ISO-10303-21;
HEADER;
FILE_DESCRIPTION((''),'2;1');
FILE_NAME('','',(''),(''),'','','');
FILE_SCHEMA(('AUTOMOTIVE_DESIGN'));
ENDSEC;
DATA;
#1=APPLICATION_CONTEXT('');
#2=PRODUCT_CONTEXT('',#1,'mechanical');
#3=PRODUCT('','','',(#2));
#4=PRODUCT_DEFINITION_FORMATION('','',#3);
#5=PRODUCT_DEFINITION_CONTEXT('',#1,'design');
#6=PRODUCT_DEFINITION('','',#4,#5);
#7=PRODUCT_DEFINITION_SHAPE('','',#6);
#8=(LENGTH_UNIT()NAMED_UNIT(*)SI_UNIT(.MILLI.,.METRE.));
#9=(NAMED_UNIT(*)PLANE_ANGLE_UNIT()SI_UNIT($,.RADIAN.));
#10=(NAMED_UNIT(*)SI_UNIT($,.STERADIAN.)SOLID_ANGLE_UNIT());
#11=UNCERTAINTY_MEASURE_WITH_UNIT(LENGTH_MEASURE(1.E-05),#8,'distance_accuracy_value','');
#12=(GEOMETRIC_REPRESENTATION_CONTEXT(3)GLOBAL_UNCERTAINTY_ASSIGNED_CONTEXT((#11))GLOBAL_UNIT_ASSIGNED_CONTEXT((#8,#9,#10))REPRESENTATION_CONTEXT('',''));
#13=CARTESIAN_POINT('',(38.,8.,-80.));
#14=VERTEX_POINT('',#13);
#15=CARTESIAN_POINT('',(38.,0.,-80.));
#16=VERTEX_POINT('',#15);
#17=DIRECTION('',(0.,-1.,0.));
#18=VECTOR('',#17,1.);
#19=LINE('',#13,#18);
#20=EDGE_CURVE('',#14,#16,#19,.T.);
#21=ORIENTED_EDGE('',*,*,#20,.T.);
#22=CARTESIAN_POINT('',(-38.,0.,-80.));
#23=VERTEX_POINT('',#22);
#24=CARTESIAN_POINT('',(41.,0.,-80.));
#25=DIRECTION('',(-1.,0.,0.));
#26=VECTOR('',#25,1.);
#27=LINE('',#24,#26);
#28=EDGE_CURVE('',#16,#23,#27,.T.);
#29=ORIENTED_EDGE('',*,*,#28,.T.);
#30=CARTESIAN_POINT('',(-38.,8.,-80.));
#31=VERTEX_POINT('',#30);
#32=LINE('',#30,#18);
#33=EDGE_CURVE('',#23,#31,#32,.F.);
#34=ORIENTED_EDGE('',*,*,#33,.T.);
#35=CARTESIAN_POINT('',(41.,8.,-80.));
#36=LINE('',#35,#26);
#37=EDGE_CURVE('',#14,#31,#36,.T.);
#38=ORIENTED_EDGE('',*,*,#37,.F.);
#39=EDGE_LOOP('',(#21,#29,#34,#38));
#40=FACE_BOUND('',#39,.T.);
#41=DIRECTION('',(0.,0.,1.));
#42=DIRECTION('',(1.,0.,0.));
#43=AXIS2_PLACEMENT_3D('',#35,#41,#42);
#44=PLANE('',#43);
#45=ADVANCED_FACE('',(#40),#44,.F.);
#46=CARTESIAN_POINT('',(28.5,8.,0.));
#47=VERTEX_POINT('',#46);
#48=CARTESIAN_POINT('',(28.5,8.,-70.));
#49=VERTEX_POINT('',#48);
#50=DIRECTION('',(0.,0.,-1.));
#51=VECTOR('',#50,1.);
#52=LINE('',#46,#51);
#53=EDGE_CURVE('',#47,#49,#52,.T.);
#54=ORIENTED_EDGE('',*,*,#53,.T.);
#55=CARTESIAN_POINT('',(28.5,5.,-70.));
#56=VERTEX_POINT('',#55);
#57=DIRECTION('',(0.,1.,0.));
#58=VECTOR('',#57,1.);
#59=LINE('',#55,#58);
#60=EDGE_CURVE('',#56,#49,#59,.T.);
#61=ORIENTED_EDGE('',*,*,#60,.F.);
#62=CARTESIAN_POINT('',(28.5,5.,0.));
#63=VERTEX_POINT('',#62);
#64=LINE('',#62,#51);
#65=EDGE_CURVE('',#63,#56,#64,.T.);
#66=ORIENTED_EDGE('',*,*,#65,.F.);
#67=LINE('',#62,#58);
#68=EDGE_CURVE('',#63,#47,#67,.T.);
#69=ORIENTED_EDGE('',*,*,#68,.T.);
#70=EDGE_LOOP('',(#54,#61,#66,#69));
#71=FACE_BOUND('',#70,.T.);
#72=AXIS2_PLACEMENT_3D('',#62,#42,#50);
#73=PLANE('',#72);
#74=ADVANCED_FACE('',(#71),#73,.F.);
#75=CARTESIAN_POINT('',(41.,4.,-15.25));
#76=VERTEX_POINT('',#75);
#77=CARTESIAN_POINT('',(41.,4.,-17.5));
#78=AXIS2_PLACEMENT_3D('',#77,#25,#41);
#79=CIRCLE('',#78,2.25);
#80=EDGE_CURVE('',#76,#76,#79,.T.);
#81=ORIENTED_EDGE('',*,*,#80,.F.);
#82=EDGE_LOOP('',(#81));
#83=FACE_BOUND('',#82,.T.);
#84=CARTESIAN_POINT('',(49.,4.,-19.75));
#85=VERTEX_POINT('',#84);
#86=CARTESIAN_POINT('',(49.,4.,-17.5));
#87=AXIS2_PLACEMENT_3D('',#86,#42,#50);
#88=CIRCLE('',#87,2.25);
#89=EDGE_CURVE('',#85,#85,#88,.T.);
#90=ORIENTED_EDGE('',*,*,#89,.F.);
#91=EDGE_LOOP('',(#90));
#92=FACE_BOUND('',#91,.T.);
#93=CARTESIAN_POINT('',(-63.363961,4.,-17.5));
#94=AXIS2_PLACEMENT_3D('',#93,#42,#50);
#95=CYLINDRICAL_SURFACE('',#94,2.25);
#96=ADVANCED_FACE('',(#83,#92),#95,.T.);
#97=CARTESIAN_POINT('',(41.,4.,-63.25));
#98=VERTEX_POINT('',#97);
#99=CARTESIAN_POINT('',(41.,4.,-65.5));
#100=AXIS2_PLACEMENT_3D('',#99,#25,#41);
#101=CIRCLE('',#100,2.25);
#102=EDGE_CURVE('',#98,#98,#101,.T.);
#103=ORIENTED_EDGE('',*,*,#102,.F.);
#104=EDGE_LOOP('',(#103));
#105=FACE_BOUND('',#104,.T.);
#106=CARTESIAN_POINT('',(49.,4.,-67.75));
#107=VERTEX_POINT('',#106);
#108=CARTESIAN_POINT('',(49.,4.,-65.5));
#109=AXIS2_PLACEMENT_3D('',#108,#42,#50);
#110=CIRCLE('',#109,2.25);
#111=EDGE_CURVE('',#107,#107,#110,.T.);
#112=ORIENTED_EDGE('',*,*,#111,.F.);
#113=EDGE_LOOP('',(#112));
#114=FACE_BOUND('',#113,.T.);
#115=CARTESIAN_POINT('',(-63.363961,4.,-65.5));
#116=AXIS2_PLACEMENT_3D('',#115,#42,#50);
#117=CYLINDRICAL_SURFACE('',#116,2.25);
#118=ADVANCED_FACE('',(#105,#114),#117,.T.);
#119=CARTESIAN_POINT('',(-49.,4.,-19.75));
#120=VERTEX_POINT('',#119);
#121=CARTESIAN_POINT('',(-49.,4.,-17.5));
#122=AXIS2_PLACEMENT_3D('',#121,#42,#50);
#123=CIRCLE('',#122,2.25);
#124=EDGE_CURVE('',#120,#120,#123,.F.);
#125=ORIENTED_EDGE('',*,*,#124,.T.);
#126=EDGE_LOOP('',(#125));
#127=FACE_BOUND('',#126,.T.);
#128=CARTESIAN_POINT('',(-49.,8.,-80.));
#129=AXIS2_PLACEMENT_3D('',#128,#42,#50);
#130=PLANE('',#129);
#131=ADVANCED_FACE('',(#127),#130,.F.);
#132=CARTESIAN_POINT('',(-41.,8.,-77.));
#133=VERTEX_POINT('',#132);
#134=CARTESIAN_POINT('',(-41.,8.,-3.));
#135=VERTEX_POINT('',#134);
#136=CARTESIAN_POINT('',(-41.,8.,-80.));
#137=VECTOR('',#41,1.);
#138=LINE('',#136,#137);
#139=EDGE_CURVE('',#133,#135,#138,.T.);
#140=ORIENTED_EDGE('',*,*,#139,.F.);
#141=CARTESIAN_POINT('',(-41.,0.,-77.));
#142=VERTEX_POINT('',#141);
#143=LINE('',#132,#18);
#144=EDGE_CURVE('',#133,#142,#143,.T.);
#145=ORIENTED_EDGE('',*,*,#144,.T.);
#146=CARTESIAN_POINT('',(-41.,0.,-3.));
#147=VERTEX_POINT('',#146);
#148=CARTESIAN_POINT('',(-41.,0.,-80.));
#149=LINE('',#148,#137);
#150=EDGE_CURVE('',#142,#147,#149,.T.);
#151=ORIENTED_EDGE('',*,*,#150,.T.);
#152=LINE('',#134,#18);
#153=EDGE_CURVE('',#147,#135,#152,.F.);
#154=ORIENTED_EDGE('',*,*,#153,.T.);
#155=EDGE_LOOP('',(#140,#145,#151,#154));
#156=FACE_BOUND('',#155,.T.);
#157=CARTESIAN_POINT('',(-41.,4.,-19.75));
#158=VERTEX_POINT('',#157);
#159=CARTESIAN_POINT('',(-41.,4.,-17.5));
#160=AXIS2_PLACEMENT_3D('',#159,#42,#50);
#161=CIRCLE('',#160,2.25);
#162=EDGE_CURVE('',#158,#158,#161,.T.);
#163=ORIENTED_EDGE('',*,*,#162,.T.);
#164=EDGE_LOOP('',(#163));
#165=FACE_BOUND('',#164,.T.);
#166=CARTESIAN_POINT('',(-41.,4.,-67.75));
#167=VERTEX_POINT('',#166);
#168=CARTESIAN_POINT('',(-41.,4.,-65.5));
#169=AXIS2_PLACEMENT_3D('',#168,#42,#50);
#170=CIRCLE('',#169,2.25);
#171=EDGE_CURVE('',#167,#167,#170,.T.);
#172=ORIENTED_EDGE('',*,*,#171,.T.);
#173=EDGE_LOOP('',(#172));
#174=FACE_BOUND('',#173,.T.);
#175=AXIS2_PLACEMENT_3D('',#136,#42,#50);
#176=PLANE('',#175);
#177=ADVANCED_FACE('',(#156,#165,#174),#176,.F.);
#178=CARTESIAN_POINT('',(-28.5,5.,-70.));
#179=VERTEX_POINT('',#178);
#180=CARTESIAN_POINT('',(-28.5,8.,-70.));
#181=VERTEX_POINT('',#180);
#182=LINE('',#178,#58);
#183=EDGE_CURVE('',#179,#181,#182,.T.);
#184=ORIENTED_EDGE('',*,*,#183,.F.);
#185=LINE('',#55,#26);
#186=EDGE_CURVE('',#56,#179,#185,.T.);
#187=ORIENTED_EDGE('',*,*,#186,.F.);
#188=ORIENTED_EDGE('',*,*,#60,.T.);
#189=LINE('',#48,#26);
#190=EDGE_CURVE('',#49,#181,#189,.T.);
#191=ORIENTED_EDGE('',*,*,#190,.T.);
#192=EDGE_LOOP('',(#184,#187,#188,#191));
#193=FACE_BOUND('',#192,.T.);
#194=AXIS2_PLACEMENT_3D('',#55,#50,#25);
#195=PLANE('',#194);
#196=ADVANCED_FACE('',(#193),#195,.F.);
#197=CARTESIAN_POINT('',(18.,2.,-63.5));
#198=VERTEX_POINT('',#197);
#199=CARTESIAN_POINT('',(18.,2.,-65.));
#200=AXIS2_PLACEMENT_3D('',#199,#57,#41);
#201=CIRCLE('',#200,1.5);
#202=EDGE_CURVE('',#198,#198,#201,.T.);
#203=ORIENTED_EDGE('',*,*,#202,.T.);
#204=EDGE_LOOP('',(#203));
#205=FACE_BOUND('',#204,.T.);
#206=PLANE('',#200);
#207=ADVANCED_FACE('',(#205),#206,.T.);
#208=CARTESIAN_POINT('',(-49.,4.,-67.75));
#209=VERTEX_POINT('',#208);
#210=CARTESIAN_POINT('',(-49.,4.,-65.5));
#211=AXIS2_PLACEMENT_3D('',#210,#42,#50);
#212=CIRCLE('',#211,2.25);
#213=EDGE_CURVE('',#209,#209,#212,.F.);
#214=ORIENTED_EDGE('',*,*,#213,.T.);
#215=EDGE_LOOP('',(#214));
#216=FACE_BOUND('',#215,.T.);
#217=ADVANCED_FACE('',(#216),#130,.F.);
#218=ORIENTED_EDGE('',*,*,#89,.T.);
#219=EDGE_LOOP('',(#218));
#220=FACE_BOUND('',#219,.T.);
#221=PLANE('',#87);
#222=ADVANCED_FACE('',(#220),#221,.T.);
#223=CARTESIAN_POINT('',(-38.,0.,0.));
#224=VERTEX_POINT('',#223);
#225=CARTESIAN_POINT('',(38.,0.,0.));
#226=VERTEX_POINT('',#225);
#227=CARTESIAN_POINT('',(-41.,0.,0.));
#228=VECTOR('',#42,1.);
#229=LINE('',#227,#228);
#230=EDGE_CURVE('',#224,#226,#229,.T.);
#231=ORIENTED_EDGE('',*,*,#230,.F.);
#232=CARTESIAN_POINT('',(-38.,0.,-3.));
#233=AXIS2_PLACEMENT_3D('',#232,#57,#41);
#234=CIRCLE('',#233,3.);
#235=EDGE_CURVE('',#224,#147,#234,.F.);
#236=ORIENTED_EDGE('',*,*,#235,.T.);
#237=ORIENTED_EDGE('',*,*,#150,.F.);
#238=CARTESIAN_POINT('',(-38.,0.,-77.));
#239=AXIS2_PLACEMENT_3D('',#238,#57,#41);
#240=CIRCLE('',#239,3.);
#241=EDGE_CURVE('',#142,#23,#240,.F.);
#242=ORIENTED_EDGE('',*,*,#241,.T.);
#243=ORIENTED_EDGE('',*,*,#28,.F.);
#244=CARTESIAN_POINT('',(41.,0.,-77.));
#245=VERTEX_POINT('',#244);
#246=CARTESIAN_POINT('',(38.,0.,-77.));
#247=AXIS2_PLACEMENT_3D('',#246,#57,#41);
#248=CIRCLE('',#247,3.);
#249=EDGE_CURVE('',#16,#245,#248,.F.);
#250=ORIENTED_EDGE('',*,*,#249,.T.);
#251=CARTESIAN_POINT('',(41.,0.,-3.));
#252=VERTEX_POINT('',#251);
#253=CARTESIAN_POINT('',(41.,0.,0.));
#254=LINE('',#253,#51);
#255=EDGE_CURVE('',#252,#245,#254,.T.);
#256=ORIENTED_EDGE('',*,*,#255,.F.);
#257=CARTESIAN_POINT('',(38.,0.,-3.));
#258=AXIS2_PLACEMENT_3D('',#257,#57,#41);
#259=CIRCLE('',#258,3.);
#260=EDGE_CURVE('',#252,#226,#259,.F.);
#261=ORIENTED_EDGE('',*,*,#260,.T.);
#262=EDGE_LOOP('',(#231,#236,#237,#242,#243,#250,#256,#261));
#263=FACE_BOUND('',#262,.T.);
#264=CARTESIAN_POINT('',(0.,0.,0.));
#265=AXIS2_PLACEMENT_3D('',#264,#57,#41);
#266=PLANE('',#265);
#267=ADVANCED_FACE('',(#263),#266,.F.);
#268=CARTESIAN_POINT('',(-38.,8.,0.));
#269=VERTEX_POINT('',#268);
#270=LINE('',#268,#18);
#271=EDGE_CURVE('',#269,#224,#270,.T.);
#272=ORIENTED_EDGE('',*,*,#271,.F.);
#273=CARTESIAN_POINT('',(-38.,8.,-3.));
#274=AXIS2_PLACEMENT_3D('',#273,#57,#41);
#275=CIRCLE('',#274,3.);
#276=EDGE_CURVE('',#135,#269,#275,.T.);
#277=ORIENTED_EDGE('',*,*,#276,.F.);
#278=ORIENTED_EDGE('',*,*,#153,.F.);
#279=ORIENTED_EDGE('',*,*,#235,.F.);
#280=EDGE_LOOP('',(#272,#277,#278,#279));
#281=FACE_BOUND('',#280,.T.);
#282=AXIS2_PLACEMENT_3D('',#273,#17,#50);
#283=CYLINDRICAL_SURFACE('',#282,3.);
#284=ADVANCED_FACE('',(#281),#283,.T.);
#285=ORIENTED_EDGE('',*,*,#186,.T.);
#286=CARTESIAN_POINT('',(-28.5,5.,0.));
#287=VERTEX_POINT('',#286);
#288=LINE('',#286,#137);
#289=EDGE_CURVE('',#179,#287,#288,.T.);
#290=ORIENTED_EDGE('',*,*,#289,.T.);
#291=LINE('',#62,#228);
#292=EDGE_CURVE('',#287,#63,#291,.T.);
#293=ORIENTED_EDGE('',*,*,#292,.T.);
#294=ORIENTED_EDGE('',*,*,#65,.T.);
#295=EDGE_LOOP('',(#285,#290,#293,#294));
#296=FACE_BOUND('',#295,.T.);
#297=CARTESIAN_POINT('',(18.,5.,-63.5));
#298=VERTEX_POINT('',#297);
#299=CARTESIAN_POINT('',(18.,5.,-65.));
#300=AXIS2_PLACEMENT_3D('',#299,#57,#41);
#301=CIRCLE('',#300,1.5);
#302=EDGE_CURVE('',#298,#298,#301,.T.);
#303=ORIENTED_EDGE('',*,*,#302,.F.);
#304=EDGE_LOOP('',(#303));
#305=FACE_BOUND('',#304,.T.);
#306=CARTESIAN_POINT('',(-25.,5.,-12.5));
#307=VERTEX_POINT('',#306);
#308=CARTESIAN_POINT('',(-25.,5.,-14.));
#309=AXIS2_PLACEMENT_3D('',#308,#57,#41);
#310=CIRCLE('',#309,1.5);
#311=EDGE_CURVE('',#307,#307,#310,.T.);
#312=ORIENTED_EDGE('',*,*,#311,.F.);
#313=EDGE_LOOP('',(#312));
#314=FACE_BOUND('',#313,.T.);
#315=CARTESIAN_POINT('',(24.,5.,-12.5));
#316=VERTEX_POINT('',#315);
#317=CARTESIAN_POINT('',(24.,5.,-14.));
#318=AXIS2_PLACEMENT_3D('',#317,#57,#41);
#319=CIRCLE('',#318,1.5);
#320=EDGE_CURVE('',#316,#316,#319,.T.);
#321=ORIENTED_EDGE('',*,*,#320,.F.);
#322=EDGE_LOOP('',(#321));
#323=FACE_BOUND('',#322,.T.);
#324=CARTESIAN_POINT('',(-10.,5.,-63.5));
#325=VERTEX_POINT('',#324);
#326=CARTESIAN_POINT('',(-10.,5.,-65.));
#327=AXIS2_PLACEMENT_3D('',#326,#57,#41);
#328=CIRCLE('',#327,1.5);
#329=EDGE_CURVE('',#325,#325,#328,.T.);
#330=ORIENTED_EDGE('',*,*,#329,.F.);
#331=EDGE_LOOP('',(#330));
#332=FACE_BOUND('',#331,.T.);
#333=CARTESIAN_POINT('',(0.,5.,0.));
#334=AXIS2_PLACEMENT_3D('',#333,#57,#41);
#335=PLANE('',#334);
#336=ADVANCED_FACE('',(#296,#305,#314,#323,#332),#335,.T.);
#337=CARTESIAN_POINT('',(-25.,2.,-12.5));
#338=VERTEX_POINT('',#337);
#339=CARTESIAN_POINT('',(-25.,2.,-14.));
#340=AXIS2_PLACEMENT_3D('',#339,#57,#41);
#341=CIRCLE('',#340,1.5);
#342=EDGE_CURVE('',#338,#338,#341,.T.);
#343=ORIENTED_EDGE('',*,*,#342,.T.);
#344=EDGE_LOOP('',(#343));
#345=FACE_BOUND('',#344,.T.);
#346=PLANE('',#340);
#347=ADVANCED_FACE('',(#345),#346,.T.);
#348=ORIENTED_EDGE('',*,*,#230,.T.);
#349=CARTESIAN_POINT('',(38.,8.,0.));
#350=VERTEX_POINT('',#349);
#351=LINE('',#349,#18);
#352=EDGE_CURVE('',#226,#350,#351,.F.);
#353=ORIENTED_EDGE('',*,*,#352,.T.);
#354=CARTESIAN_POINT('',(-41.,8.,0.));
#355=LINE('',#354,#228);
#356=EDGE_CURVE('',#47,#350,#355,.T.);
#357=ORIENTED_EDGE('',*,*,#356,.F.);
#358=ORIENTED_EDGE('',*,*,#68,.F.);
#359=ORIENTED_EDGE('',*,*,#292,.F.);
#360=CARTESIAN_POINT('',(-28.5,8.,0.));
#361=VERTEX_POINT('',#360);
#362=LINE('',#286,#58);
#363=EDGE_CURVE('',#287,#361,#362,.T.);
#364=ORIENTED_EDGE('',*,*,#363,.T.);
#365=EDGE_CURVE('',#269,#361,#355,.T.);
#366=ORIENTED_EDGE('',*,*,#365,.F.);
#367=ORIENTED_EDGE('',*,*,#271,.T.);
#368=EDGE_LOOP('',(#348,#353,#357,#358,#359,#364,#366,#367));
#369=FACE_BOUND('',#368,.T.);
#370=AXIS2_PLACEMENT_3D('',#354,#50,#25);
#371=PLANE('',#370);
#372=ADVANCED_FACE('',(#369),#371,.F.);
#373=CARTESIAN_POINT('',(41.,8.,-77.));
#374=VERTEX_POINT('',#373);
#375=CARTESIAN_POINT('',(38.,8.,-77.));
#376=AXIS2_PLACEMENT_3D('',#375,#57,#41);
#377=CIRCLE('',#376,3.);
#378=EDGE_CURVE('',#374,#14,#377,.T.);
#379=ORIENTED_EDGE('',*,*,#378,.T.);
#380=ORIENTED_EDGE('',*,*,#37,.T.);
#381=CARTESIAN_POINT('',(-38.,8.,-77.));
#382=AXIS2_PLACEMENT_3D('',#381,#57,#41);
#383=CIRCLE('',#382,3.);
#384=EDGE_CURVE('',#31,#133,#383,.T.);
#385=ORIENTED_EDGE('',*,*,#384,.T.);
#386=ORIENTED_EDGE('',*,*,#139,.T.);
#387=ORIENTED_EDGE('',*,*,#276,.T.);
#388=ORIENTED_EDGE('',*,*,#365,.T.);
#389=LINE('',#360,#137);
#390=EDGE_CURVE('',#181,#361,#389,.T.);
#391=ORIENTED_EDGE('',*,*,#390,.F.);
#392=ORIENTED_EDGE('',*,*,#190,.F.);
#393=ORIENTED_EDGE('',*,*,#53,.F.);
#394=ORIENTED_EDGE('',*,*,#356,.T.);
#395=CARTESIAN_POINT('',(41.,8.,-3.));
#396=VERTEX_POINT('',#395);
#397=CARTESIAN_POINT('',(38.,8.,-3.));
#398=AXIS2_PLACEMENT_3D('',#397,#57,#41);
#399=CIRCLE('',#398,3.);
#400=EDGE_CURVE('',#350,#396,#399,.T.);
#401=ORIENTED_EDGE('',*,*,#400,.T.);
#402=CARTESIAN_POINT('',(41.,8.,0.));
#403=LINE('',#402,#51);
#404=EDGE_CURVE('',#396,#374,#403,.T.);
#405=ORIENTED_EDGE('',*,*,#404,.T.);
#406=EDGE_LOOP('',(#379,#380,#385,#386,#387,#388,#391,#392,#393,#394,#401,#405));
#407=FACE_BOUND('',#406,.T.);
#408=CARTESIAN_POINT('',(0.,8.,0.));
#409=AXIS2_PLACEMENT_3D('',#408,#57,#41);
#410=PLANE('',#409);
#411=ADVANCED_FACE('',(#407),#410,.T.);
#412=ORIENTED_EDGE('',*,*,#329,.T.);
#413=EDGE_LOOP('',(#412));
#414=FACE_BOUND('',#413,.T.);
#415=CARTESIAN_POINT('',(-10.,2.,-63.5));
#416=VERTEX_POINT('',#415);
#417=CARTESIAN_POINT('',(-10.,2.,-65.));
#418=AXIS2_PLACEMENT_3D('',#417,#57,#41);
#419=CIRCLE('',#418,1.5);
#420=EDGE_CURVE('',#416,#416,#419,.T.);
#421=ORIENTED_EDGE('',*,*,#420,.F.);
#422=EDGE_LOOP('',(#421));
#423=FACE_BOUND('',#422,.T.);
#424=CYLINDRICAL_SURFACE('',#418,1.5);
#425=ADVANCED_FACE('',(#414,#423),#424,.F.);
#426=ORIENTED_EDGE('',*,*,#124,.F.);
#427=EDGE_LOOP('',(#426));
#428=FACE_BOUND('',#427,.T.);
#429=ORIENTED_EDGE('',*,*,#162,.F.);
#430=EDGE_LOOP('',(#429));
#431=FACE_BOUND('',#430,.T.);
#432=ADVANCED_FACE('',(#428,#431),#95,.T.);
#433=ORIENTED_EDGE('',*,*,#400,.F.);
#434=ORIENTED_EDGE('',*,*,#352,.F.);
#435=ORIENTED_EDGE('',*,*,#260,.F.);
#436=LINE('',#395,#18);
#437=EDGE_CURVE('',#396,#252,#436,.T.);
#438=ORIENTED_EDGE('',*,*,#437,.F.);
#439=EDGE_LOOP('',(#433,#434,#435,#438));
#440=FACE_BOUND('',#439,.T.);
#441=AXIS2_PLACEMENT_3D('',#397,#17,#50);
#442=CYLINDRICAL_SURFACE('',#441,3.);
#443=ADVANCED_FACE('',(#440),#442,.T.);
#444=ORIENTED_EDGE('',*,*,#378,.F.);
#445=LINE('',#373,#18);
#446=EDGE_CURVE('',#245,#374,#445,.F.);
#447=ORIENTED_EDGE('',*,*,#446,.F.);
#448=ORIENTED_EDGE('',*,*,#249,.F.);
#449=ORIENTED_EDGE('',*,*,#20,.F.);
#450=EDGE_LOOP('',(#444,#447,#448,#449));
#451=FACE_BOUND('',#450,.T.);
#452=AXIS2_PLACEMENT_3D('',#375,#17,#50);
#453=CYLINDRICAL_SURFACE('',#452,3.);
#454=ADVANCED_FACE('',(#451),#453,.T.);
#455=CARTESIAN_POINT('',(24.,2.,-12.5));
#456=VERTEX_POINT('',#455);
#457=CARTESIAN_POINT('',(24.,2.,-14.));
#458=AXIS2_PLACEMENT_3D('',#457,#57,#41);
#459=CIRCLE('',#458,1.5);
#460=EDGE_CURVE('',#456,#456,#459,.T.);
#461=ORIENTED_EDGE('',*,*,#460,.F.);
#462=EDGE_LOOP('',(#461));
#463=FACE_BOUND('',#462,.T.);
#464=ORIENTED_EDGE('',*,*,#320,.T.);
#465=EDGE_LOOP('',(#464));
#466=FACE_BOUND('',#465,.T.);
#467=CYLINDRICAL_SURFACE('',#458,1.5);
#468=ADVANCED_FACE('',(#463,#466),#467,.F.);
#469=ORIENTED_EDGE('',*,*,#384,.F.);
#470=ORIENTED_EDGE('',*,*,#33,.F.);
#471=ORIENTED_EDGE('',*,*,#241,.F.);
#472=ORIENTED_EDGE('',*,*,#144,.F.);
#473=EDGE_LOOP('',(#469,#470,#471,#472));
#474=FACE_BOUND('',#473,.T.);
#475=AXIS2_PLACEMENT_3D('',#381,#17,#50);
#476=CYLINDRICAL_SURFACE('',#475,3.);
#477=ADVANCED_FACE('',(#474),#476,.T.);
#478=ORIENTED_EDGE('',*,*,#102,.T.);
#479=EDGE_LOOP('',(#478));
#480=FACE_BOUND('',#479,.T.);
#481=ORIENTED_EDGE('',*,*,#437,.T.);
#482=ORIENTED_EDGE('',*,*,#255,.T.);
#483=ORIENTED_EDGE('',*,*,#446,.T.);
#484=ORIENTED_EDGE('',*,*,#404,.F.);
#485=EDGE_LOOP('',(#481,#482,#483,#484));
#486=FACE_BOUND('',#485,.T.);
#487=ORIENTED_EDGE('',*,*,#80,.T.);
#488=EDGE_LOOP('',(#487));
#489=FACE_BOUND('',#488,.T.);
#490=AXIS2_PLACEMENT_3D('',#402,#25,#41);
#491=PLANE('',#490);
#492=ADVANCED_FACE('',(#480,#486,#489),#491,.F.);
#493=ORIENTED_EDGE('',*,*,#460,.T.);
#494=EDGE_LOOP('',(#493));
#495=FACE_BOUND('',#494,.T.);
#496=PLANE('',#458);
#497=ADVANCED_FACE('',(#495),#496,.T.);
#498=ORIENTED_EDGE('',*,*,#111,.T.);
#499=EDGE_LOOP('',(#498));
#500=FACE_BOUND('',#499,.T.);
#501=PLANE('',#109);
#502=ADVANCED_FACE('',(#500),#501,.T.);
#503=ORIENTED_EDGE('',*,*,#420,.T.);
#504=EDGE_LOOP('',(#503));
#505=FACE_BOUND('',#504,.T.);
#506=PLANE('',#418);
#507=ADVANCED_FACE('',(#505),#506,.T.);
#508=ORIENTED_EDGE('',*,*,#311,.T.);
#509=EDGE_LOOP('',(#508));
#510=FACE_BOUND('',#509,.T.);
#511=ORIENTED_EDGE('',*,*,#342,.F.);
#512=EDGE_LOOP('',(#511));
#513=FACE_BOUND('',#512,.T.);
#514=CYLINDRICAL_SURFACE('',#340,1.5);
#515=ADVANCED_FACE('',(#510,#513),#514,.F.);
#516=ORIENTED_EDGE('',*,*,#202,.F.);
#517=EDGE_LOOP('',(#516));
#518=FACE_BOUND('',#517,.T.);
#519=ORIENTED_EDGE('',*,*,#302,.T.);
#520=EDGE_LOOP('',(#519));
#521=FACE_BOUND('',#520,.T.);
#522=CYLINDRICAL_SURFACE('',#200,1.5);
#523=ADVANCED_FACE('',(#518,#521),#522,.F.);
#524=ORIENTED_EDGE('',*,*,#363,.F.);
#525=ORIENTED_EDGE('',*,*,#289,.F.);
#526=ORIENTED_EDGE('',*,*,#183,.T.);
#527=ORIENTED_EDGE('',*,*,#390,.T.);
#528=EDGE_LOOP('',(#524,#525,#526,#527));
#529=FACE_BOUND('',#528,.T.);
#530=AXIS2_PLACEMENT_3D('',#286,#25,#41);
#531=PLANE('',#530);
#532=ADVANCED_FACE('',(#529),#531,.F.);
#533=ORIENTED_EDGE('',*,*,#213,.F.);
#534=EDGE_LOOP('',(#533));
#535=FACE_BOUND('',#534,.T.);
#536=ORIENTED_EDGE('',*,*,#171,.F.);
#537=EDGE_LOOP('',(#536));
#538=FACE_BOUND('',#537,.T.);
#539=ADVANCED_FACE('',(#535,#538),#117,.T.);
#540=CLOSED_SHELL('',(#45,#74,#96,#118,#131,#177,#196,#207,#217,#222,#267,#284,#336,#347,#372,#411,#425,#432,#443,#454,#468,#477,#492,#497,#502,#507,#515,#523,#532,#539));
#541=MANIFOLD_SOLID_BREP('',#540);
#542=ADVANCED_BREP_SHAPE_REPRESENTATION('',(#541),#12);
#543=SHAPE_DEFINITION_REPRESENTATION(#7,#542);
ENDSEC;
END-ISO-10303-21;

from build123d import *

# Parameters (mm, degrees)
SKETCH1_W                = 82
SKETCH1_H                = 80
BOSS_EXTRUDE1_DEPTH      = 8
BOSS_EXTRUDE2_DEPTH      = 8
BOSS_EXTRUDE2_DEPTH_BACK = 90
SKETCH2_R                = 2.25
SKETCH3_W                = 57
SKETCH3_H                = 70
CUT_EXTRUDE1_DEPTH       = 3
SKETCH4_R                = 1.5
CUT_EXTRUDE2_DEPTH       = 3
FILLET1_R                = 3


with BuildPart() as part:
    # Sketch1 → Boss-Extrude1 (new body)
    with BuildSketch(Plane(origin=(0, 0, 0), x_dir=(1, 0, 0), z_dir=(0, 1, 0))):
        with Locations((0, 40)):
            Rectangle(SKETCH1_W, SKETCH1_H)
    extrude(amount=BOSS_EXTRUDE1_DEPTH)

    # Sketch2 → Boss-Extrude2 (add, two sides: drawn at the far end of the back side and taken through both)
    with BuildSketch(Plane(origin=(41, 0, 0), x_dir=(0, 0, -1), z_dir=(1, 0, 0)).offset(-BOSS_EXTRUDE2_DEPTH_BACK)):
        with Locations((17.5, 4)):
            Circle(SKETCH2_R)
        with Locations((65.5, 4)):
            Circle(SKETCH2_R)
    extrude(amount=BOSS_EXTRUDE2_DEPTH + BOSS_EXTRUDE2_DEPTH_BACK)

    # Sketch3 → Cut-Extrude1 (cut)
    with BuildSketch(Plane(origin=(0, 8, 0), x_dir=(1, 0, 0), z_dir=(0, 1, 0))):
        with Locations((0, 35)):
            Rectangle(SKETCH3_W, SKETCH3_H)
    extrude(amount=-CUT_EXTRUDE1_DEPTH, mode=Mode.SUBTRACT)

    # Sketch4 → Cut-Extrude2 (cut)
    with BuildSketch(Plane(origin=(0, 5, 0), x_dir=(1, 0, 0), z_dir=(0, 1, 0))):
        with Locations(Location((-25, 14, 0), (0, 0, 270))):
            Circle(SKETCH4_R)
        with Locations(Location((-10, 65, 0), (0, 0, 270))):
            Circle(SKETCH4_R)
        with Locations(Location((18, 65, 0), (0, 0, 270))):
            Circle(SKETCH4_R)
        with Locations(Location((24, 14, 0), (0, 0, 270))):
            Circle(SKETCH4_R)
    extrude(amount=-CUT_EXTRUDE2_DEPTH, mode=Mode.SUBTRACT)

    # Fillet1
    fillet1_edges = [part.edges().sort_by_distance(p)[0] for p in [
        (-41, 4, -80),
        (41, 4, -80),
        (41, 4, 0),
        (-41, 4, 0),
    ]]
    fillet(fillet1_edges, radius=FILLET1_R)


solid = part.part
